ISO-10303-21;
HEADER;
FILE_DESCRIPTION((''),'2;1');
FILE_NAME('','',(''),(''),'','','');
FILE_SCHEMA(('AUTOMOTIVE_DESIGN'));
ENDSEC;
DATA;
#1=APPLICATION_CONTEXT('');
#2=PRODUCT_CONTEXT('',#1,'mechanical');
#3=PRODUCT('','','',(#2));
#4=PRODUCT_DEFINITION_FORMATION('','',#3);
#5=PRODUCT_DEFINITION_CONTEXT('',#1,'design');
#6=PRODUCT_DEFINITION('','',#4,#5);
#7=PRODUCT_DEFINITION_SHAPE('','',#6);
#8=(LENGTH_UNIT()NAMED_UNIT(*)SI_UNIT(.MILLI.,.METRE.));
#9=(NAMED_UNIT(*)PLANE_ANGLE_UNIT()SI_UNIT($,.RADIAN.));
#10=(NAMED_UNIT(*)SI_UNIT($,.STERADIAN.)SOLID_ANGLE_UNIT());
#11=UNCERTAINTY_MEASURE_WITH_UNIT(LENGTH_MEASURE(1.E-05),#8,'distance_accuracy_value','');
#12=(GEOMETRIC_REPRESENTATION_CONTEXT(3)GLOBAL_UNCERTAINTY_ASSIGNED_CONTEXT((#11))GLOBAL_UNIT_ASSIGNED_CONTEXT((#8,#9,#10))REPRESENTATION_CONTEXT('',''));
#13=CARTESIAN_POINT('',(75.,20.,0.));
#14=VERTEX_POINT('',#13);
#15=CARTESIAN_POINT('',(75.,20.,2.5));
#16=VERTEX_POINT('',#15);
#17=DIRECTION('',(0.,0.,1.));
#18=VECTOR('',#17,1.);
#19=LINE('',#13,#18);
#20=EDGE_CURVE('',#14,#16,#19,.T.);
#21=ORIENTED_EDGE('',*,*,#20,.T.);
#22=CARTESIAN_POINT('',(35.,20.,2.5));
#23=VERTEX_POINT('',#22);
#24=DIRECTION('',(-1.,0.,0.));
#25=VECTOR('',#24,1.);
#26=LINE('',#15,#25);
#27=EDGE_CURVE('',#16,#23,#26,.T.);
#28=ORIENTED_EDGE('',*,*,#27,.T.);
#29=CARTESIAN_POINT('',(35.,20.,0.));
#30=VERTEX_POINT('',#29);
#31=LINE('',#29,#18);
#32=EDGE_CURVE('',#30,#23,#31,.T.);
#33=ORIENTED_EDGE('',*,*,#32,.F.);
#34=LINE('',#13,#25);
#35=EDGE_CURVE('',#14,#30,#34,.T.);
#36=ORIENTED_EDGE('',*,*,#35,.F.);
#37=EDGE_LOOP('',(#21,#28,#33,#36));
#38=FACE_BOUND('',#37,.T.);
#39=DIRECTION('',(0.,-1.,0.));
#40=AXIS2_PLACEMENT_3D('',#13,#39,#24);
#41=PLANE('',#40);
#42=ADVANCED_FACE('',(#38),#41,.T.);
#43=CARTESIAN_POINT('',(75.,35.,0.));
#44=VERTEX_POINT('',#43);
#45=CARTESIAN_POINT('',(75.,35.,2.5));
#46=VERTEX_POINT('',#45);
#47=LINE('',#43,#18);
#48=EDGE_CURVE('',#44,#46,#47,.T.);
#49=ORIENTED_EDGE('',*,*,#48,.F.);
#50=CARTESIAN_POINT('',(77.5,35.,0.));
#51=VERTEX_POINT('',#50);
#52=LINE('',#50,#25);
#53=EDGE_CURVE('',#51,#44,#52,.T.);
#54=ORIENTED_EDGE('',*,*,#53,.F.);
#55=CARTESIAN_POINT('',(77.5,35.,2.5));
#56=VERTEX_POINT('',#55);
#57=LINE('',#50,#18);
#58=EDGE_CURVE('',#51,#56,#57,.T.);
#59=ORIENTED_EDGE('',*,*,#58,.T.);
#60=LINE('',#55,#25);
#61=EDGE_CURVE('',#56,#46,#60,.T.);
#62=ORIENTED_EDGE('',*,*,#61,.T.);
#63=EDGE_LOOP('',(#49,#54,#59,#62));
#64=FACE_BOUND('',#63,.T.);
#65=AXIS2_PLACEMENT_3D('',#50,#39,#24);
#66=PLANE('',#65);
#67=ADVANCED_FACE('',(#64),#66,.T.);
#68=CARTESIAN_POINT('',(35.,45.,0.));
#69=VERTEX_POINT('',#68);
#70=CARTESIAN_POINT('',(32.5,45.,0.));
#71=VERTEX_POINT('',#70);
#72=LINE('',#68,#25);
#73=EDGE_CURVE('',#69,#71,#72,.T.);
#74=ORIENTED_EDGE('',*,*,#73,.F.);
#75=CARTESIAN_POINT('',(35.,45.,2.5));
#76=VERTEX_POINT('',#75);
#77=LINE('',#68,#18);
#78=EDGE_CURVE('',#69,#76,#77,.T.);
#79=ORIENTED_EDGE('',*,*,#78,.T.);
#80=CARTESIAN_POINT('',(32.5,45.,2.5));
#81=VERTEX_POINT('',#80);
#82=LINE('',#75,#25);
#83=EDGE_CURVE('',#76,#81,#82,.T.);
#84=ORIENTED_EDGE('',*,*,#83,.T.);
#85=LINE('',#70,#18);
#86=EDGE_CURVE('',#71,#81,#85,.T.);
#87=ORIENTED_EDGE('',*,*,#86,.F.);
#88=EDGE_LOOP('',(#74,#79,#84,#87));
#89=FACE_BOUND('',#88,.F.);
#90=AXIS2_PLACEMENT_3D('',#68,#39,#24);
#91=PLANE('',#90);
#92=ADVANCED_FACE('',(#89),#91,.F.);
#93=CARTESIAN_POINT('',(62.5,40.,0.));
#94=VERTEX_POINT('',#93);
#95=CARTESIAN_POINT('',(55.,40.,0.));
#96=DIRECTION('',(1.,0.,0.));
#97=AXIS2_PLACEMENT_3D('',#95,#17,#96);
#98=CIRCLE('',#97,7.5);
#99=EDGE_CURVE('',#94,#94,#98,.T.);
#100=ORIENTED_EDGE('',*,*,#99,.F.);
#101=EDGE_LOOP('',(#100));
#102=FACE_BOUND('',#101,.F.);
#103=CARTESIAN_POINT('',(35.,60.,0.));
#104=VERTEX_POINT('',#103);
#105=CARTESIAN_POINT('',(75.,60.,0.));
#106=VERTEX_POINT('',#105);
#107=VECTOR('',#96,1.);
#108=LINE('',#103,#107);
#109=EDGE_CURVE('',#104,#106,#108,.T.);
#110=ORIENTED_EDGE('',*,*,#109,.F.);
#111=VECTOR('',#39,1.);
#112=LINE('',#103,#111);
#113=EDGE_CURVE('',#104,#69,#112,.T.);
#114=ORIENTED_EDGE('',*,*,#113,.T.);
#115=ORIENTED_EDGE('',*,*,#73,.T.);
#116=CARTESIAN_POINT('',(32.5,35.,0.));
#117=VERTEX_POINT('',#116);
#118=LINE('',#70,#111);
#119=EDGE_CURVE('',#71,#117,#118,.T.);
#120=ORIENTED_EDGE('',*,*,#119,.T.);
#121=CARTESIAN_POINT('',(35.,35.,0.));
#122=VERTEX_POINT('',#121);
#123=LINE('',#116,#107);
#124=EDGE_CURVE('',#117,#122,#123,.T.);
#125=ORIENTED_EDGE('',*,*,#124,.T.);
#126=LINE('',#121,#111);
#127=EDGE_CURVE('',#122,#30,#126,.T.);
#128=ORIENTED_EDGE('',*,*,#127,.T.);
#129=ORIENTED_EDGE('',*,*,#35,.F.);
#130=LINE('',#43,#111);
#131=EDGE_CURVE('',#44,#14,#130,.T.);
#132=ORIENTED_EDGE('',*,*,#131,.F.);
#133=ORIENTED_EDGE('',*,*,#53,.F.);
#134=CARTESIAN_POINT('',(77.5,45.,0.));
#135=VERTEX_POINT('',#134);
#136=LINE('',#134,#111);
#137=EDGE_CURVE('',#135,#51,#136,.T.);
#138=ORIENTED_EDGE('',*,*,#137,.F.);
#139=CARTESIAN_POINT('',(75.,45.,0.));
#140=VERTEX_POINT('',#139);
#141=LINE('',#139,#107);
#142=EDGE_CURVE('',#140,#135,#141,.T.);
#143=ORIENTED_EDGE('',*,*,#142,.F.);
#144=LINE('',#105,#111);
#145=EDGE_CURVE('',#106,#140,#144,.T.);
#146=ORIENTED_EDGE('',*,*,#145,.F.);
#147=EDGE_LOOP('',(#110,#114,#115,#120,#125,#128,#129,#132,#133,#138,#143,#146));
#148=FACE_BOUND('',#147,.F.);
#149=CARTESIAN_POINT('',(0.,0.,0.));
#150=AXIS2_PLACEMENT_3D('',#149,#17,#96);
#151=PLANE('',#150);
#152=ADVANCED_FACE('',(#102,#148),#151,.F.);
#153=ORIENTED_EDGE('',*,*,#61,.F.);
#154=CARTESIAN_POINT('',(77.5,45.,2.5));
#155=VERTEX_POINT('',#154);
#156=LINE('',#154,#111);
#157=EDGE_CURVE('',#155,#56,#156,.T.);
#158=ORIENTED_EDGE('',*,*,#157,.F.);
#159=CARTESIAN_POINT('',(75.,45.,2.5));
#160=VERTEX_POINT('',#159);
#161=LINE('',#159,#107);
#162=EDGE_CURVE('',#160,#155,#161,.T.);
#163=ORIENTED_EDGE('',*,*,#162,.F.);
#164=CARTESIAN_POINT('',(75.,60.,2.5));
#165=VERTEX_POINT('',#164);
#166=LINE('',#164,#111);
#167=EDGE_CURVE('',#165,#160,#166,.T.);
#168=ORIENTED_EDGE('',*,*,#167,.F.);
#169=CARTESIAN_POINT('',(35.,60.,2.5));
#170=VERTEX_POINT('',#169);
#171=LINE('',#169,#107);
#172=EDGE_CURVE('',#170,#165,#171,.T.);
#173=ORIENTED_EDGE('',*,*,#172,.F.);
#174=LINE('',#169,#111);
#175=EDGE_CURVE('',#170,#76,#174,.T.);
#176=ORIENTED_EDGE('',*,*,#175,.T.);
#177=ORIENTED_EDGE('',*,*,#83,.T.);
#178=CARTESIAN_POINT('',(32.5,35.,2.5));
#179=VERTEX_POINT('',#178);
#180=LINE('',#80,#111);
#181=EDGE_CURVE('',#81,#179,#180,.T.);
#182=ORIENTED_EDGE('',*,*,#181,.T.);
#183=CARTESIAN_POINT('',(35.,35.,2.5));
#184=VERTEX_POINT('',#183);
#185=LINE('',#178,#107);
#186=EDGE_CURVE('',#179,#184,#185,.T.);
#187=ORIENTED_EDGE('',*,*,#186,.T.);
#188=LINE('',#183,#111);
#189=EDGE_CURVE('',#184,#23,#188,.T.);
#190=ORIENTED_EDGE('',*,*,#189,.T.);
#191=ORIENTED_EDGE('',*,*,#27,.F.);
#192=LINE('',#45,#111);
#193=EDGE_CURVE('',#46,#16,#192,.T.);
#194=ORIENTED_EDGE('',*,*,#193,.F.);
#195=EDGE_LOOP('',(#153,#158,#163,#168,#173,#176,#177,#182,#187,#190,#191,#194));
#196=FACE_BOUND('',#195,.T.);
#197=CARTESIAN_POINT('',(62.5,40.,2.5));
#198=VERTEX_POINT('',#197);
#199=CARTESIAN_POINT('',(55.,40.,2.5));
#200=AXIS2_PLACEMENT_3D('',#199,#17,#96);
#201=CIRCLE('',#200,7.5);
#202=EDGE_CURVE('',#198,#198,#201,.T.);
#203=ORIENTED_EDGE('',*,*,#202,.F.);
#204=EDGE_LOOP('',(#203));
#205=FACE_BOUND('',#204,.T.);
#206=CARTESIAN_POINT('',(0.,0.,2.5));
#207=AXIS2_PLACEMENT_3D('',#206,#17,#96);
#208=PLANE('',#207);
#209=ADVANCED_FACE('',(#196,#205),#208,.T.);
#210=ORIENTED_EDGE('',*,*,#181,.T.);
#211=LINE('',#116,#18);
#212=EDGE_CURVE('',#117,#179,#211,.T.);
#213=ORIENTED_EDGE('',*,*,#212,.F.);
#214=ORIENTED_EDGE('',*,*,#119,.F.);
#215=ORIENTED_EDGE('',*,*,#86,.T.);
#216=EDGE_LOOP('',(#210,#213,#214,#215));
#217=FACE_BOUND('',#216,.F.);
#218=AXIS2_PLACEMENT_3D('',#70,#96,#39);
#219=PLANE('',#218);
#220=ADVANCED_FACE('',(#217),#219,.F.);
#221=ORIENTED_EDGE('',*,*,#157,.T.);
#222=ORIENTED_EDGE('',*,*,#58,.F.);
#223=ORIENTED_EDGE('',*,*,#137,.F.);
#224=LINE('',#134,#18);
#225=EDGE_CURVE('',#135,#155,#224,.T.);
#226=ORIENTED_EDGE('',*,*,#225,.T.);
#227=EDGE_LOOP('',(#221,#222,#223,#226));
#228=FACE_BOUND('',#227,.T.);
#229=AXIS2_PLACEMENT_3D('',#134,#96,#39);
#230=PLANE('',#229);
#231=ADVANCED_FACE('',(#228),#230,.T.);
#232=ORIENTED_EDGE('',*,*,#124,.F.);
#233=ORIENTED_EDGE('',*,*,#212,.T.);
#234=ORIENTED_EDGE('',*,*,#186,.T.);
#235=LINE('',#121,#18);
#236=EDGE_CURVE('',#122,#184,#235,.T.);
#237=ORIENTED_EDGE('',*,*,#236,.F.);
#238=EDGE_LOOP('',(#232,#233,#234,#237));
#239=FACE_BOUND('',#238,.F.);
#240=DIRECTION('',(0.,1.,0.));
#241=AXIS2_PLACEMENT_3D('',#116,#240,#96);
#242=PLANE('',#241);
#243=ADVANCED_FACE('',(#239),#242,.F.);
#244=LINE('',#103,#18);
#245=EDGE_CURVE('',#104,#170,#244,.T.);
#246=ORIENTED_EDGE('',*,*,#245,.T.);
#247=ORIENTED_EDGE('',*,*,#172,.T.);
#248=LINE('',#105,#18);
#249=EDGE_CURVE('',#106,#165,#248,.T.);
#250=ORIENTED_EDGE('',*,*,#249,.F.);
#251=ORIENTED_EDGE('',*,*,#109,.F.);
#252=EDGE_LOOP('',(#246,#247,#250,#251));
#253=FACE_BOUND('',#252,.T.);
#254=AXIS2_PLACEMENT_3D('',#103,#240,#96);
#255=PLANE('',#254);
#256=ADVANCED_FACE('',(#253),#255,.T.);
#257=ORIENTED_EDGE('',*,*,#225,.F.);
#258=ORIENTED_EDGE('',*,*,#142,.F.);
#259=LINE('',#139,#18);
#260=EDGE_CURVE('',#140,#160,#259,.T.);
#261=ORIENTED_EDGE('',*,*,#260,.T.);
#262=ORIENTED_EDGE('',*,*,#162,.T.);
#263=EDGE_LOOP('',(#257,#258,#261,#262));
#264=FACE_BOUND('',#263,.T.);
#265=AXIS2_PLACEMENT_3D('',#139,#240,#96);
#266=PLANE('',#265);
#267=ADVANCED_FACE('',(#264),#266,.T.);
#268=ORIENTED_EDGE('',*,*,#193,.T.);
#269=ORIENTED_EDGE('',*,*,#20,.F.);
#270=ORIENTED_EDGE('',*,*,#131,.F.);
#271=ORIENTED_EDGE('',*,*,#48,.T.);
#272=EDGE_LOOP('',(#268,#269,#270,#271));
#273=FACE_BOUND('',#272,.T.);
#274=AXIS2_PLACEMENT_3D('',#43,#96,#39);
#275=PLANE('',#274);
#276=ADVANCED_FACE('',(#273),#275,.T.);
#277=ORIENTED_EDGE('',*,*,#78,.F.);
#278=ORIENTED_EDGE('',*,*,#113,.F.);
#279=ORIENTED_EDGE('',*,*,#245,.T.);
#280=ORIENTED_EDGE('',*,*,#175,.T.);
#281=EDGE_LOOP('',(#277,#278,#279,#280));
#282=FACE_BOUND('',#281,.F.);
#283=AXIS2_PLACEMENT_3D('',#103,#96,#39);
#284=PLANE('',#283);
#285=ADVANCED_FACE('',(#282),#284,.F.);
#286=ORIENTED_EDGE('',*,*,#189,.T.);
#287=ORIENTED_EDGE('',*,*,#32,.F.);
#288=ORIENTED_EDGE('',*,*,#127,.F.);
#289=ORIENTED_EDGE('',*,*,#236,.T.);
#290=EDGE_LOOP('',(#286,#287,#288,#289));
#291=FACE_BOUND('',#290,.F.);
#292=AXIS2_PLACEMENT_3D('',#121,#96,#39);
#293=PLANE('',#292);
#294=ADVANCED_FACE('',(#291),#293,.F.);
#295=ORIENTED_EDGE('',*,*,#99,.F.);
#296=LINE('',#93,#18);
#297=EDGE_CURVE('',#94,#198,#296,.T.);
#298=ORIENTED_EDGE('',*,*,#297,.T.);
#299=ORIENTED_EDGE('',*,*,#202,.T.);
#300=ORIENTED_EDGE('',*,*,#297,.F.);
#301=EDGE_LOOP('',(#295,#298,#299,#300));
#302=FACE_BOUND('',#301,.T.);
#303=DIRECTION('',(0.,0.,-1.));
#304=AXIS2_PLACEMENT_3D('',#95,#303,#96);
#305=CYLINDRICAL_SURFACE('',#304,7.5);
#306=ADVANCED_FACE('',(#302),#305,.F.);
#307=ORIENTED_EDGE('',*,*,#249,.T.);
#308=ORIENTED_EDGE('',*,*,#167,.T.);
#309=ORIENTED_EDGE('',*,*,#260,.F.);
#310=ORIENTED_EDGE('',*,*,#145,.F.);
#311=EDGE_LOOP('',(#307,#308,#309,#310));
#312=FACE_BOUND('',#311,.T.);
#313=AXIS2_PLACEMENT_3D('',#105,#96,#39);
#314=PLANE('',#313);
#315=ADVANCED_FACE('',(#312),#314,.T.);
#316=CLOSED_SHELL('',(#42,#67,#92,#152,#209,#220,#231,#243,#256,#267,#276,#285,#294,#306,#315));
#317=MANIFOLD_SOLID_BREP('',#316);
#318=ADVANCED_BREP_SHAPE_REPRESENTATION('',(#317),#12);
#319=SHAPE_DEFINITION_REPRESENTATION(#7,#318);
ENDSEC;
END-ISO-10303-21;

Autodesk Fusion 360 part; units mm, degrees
sketch "Sketch1" plane through (0, 0, 0) normal (0, 0, 1) x (1, 0, 0)
  line L0 (35, 60) -> (75, 60)
  line L1 (75, 60) -> (75, 45)
  line L2 (35, 60) -> (35, 45)
  line L3 (75, 45) -> (77.5, 45)
  line L4 (35, 45) -> (32.5, 45)
  line L5 (77.5, 45) -> (77.5, 35)
  line L6 (32.5, 45) -> (32.5, 35)
  line L7 (32.5, 35) -> (35, 35)
  line L8 (77.5, 35) -> (75, 35)
  line L9 (35, 35) -> (35, 20)
  line L10 (75, 35) -> (75, 20)
  line L11 (75, 20) -> (35, 20)
  circle A0 centre (55, 40) radius 7.5
  dimension "d1" = 40
  dimension "d2" = 15
  dimension "d3" = 15
  dimension "d4" = 2.5
  dimension "d5" = 2.5
  dimension "d6" = 10
  dimension "d7" = 10
  dimension "d8" = 2.5
  dimension "d9" = 2.5
  dimension "d10" = 15
  dimension "d11" = 15
  dimension "d12" = 15
  dimension "d13" = 20
  dimension "d14" = 22.5
extrude "Extrude1" add sketch "Sketch1" along normal blind 2.5
